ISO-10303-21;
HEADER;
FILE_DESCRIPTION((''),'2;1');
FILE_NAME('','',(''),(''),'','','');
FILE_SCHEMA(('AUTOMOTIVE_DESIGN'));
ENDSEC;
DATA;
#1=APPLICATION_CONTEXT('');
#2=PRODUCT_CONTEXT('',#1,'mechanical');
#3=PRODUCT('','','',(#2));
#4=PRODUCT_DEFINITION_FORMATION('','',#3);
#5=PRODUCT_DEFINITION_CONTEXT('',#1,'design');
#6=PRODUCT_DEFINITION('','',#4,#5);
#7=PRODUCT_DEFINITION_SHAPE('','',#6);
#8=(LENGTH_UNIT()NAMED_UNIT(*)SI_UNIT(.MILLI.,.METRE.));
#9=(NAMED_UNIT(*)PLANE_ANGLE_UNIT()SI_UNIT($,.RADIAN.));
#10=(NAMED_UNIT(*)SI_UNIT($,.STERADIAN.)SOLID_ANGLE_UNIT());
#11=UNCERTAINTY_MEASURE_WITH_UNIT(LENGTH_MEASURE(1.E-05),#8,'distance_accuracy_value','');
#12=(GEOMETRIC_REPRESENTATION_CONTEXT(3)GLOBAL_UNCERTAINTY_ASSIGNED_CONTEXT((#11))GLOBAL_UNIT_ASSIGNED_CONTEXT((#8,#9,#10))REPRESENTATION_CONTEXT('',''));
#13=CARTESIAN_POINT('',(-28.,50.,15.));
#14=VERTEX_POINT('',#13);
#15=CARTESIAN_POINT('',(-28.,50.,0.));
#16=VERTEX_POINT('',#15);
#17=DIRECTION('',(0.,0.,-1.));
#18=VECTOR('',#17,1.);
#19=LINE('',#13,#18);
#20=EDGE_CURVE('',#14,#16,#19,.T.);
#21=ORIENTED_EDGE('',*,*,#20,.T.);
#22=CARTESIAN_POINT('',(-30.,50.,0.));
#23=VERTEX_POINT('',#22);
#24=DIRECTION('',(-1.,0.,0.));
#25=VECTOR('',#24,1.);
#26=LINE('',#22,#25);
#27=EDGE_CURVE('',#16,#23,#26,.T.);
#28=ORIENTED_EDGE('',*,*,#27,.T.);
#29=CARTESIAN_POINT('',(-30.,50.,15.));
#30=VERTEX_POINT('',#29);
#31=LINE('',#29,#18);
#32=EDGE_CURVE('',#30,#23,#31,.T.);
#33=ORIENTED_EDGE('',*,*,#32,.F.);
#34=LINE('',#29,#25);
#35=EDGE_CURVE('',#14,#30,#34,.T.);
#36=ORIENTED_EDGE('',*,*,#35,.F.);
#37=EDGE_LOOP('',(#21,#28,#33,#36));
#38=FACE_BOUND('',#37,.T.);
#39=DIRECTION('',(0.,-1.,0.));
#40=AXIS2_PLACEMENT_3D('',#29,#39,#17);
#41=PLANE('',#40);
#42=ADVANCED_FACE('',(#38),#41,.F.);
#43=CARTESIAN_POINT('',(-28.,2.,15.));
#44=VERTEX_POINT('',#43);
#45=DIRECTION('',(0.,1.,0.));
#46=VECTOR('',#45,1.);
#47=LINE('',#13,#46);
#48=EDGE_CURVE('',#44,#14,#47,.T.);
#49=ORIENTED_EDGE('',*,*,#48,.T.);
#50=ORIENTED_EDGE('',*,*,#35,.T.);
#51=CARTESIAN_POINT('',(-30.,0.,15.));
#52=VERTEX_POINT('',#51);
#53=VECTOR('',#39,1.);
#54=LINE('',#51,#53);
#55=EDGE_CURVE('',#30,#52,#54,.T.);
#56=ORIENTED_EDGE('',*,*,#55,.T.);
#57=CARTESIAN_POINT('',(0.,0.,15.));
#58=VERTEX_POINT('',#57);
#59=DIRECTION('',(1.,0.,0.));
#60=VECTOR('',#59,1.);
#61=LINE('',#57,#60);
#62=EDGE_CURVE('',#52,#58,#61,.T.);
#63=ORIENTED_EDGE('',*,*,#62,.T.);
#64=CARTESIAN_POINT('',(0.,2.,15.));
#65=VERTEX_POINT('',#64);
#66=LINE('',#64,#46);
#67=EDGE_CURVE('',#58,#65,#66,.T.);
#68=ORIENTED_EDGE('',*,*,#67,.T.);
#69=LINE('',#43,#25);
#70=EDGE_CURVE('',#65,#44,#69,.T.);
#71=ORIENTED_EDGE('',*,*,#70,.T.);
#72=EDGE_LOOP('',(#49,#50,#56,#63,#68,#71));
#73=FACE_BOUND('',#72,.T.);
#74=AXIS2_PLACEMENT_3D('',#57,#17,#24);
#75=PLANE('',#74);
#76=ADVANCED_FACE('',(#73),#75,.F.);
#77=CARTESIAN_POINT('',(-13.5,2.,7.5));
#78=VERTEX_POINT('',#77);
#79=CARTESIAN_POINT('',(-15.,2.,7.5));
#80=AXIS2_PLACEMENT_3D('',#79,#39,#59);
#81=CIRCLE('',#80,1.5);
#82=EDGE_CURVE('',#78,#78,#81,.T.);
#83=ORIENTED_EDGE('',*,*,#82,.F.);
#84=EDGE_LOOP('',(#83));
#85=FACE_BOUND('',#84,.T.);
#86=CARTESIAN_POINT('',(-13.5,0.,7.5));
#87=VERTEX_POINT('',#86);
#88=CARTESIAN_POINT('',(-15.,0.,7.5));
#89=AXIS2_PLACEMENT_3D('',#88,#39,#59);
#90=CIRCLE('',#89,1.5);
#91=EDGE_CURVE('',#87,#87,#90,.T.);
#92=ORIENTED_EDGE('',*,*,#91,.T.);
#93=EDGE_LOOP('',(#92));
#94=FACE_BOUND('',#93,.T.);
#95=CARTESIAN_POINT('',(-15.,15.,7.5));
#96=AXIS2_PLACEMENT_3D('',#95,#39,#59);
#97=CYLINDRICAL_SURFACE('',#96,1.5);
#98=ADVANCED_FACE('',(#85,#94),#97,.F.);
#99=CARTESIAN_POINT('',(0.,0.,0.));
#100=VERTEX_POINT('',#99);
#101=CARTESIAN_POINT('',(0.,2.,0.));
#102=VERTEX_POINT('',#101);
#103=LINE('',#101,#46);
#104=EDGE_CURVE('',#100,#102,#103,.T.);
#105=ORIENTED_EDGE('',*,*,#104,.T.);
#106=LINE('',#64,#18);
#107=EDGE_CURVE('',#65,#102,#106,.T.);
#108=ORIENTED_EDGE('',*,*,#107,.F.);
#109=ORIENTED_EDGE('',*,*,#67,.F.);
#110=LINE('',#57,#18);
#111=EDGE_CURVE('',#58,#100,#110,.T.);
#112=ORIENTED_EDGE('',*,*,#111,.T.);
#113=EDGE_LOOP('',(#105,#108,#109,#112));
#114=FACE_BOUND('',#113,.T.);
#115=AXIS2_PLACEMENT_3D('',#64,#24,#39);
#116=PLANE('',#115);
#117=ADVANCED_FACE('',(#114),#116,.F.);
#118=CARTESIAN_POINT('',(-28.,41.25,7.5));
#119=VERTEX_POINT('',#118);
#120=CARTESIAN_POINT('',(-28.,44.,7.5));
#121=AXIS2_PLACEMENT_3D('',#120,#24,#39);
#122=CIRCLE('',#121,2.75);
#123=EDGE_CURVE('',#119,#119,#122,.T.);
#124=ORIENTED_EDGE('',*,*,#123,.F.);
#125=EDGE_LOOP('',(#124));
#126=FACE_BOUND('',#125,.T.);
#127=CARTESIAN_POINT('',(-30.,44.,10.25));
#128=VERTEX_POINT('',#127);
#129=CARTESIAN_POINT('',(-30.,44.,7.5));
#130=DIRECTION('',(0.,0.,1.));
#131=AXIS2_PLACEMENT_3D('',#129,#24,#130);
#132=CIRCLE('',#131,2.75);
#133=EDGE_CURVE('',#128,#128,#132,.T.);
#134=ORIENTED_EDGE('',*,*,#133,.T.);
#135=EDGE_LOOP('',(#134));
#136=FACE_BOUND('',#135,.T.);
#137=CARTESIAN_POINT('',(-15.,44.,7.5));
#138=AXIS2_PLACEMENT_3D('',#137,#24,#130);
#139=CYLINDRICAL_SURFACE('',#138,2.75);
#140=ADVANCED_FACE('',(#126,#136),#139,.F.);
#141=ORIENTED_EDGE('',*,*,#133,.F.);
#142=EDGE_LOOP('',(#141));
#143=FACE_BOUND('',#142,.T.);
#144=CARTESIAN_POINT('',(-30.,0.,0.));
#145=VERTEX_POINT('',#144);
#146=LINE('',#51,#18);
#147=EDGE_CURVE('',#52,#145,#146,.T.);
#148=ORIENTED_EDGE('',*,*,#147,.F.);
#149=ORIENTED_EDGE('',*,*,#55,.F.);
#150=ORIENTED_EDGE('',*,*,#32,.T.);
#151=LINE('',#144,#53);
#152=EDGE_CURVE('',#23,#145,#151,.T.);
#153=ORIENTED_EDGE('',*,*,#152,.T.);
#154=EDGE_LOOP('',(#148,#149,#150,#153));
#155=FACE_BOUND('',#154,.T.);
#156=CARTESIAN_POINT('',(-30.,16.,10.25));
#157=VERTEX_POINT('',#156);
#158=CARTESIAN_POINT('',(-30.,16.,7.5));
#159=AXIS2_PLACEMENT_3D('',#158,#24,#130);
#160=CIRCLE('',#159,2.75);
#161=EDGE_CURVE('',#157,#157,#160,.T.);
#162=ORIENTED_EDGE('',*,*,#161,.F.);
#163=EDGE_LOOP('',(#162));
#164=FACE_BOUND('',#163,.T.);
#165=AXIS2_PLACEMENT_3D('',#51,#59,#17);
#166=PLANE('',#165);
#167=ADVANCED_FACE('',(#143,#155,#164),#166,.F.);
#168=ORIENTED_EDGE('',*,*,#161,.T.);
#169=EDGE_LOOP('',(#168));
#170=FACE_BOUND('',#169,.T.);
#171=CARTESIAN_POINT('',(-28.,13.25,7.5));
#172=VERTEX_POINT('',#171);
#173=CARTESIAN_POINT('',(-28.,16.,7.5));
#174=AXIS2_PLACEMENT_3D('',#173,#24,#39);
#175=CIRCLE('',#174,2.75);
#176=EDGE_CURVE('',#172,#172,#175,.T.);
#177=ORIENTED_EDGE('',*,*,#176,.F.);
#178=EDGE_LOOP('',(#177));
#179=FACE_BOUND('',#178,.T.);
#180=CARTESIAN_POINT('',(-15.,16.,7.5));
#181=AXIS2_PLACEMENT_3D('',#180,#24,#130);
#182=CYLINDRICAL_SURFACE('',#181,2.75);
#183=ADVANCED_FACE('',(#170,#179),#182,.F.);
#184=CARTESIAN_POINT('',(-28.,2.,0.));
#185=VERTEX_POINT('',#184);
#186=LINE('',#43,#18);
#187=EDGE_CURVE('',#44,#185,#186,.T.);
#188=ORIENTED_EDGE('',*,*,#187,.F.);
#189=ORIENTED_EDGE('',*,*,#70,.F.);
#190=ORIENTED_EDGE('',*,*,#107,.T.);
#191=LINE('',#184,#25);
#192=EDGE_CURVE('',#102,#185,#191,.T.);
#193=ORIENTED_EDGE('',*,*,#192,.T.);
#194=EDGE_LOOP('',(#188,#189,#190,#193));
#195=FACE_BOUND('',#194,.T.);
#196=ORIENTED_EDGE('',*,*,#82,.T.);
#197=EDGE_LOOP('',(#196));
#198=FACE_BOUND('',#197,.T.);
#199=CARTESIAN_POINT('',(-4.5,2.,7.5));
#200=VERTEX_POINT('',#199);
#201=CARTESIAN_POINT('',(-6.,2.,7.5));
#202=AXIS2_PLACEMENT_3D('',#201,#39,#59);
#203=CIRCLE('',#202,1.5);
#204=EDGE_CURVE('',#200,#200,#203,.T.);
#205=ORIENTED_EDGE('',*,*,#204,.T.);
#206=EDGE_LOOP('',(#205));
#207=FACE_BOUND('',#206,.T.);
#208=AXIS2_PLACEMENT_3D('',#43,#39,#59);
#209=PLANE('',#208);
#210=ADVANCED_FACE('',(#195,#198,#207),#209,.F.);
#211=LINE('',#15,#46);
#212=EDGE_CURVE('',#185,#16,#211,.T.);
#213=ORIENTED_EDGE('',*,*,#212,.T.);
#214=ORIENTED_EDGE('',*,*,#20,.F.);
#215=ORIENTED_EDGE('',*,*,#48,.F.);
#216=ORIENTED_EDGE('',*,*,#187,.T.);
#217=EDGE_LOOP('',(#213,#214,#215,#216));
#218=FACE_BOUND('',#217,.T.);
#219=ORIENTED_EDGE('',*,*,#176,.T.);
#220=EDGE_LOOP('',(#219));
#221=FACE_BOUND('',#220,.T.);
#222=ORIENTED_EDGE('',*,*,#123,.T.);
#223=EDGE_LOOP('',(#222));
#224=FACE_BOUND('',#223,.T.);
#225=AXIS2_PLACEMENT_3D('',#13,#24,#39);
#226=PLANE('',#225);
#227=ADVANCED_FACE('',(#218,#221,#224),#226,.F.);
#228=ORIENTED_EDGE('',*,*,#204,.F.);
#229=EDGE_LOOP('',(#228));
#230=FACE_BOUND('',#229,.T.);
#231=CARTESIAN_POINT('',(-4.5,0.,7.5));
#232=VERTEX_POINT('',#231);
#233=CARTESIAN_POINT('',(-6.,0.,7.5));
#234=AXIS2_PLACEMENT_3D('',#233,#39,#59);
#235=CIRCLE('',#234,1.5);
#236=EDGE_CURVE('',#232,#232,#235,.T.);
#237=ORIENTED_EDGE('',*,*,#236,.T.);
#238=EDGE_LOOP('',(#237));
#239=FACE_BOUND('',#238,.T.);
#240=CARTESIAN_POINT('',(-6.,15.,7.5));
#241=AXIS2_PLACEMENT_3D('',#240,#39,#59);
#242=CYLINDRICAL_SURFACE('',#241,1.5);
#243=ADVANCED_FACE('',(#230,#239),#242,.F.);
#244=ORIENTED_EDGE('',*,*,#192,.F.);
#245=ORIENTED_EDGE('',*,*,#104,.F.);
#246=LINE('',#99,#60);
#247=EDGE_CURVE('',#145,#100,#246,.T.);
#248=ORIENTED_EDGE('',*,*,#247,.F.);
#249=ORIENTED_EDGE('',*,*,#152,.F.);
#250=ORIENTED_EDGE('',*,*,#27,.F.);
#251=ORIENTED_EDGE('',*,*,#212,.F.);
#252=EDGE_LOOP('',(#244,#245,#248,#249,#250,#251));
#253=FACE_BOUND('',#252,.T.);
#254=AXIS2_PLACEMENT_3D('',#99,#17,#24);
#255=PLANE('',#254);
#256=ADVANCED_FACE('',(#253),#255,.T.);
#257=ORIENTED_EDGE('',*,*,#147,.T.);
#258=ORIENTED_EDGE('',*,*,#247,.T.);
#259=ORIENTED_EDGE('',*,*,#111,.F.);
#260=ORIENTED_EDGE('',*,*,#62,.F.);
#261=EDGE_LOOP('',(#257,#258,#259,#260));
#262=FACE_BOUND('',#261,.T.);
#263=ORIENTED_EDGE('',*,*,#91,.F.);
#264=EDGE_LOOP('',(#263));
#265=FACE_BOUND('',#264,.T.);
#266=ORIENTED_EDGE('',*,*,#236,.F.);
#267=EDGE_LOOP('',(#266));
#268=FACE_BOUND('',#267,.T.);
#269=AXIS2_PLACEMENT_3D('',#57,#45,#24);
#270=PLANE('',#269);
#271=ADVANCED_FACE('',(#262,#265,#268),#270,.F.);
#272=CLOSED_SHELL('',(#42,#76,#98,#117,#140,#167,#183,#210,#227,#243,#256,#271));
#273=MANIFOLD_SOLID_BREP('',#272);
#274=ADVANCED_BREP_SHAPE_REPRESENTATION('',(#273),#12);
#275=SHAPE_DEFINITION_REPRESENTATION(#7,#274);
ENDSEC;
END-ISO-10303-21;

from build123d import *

# Parameters (mm, degrees)
ESTRUSIONE_ESTRUSIONE1_DEPTH = 15
SCHIZZO2_R                   = 2.75
TAGLIO_ESTRUSIONE1_DEPTH     = 15
SCHIZZO3_R                   = 1.5
TAGLIO_ESTRUSIONE2_DEPTH     = 15


with BuildPart() as part:
    # Schizzo1 → Estrusione-Estrusione1 (new body)
    with BuildSketch(Plane.XY):
        Polygon((0, 0), (-30, 0), (-30, 50), (-28, 50), (-28, 2), (0, 2), align=None)
    extrude(amount=ESTRUSIONE_ESTRUSIONE1_DEPTH)

    # Schizzo2 → Taglio-Estrusione1 (cut)
    with BuildSketch(Plane.ZY.offset(30)):
        with Locations((7.5, 44)):
            Circle(SCHIZZO2_R)
        with Locations((7.5, 16)):
            Circle(SCHIZZO2_R)
    extrude(amount=-TAGLIO_ESTRUSIONE1_DEPTH, mode=Mode.SUBTRACT)

    # Schizzo3 → Taglio-Estrusione2 (cut)
    with BuildSketch(Plane.XZ):
        with Locations((-6, 7.5)):
            Circle(SCHIZZO3_R)
        with Locations((-15, 7.5)):
            Circle(SCHIZZO3_R)
    extrude(amount=-TAGLIO_ESTRUSIONE2_DEPTH, mode=Mode.SUBTRACT)


solid = part.part
